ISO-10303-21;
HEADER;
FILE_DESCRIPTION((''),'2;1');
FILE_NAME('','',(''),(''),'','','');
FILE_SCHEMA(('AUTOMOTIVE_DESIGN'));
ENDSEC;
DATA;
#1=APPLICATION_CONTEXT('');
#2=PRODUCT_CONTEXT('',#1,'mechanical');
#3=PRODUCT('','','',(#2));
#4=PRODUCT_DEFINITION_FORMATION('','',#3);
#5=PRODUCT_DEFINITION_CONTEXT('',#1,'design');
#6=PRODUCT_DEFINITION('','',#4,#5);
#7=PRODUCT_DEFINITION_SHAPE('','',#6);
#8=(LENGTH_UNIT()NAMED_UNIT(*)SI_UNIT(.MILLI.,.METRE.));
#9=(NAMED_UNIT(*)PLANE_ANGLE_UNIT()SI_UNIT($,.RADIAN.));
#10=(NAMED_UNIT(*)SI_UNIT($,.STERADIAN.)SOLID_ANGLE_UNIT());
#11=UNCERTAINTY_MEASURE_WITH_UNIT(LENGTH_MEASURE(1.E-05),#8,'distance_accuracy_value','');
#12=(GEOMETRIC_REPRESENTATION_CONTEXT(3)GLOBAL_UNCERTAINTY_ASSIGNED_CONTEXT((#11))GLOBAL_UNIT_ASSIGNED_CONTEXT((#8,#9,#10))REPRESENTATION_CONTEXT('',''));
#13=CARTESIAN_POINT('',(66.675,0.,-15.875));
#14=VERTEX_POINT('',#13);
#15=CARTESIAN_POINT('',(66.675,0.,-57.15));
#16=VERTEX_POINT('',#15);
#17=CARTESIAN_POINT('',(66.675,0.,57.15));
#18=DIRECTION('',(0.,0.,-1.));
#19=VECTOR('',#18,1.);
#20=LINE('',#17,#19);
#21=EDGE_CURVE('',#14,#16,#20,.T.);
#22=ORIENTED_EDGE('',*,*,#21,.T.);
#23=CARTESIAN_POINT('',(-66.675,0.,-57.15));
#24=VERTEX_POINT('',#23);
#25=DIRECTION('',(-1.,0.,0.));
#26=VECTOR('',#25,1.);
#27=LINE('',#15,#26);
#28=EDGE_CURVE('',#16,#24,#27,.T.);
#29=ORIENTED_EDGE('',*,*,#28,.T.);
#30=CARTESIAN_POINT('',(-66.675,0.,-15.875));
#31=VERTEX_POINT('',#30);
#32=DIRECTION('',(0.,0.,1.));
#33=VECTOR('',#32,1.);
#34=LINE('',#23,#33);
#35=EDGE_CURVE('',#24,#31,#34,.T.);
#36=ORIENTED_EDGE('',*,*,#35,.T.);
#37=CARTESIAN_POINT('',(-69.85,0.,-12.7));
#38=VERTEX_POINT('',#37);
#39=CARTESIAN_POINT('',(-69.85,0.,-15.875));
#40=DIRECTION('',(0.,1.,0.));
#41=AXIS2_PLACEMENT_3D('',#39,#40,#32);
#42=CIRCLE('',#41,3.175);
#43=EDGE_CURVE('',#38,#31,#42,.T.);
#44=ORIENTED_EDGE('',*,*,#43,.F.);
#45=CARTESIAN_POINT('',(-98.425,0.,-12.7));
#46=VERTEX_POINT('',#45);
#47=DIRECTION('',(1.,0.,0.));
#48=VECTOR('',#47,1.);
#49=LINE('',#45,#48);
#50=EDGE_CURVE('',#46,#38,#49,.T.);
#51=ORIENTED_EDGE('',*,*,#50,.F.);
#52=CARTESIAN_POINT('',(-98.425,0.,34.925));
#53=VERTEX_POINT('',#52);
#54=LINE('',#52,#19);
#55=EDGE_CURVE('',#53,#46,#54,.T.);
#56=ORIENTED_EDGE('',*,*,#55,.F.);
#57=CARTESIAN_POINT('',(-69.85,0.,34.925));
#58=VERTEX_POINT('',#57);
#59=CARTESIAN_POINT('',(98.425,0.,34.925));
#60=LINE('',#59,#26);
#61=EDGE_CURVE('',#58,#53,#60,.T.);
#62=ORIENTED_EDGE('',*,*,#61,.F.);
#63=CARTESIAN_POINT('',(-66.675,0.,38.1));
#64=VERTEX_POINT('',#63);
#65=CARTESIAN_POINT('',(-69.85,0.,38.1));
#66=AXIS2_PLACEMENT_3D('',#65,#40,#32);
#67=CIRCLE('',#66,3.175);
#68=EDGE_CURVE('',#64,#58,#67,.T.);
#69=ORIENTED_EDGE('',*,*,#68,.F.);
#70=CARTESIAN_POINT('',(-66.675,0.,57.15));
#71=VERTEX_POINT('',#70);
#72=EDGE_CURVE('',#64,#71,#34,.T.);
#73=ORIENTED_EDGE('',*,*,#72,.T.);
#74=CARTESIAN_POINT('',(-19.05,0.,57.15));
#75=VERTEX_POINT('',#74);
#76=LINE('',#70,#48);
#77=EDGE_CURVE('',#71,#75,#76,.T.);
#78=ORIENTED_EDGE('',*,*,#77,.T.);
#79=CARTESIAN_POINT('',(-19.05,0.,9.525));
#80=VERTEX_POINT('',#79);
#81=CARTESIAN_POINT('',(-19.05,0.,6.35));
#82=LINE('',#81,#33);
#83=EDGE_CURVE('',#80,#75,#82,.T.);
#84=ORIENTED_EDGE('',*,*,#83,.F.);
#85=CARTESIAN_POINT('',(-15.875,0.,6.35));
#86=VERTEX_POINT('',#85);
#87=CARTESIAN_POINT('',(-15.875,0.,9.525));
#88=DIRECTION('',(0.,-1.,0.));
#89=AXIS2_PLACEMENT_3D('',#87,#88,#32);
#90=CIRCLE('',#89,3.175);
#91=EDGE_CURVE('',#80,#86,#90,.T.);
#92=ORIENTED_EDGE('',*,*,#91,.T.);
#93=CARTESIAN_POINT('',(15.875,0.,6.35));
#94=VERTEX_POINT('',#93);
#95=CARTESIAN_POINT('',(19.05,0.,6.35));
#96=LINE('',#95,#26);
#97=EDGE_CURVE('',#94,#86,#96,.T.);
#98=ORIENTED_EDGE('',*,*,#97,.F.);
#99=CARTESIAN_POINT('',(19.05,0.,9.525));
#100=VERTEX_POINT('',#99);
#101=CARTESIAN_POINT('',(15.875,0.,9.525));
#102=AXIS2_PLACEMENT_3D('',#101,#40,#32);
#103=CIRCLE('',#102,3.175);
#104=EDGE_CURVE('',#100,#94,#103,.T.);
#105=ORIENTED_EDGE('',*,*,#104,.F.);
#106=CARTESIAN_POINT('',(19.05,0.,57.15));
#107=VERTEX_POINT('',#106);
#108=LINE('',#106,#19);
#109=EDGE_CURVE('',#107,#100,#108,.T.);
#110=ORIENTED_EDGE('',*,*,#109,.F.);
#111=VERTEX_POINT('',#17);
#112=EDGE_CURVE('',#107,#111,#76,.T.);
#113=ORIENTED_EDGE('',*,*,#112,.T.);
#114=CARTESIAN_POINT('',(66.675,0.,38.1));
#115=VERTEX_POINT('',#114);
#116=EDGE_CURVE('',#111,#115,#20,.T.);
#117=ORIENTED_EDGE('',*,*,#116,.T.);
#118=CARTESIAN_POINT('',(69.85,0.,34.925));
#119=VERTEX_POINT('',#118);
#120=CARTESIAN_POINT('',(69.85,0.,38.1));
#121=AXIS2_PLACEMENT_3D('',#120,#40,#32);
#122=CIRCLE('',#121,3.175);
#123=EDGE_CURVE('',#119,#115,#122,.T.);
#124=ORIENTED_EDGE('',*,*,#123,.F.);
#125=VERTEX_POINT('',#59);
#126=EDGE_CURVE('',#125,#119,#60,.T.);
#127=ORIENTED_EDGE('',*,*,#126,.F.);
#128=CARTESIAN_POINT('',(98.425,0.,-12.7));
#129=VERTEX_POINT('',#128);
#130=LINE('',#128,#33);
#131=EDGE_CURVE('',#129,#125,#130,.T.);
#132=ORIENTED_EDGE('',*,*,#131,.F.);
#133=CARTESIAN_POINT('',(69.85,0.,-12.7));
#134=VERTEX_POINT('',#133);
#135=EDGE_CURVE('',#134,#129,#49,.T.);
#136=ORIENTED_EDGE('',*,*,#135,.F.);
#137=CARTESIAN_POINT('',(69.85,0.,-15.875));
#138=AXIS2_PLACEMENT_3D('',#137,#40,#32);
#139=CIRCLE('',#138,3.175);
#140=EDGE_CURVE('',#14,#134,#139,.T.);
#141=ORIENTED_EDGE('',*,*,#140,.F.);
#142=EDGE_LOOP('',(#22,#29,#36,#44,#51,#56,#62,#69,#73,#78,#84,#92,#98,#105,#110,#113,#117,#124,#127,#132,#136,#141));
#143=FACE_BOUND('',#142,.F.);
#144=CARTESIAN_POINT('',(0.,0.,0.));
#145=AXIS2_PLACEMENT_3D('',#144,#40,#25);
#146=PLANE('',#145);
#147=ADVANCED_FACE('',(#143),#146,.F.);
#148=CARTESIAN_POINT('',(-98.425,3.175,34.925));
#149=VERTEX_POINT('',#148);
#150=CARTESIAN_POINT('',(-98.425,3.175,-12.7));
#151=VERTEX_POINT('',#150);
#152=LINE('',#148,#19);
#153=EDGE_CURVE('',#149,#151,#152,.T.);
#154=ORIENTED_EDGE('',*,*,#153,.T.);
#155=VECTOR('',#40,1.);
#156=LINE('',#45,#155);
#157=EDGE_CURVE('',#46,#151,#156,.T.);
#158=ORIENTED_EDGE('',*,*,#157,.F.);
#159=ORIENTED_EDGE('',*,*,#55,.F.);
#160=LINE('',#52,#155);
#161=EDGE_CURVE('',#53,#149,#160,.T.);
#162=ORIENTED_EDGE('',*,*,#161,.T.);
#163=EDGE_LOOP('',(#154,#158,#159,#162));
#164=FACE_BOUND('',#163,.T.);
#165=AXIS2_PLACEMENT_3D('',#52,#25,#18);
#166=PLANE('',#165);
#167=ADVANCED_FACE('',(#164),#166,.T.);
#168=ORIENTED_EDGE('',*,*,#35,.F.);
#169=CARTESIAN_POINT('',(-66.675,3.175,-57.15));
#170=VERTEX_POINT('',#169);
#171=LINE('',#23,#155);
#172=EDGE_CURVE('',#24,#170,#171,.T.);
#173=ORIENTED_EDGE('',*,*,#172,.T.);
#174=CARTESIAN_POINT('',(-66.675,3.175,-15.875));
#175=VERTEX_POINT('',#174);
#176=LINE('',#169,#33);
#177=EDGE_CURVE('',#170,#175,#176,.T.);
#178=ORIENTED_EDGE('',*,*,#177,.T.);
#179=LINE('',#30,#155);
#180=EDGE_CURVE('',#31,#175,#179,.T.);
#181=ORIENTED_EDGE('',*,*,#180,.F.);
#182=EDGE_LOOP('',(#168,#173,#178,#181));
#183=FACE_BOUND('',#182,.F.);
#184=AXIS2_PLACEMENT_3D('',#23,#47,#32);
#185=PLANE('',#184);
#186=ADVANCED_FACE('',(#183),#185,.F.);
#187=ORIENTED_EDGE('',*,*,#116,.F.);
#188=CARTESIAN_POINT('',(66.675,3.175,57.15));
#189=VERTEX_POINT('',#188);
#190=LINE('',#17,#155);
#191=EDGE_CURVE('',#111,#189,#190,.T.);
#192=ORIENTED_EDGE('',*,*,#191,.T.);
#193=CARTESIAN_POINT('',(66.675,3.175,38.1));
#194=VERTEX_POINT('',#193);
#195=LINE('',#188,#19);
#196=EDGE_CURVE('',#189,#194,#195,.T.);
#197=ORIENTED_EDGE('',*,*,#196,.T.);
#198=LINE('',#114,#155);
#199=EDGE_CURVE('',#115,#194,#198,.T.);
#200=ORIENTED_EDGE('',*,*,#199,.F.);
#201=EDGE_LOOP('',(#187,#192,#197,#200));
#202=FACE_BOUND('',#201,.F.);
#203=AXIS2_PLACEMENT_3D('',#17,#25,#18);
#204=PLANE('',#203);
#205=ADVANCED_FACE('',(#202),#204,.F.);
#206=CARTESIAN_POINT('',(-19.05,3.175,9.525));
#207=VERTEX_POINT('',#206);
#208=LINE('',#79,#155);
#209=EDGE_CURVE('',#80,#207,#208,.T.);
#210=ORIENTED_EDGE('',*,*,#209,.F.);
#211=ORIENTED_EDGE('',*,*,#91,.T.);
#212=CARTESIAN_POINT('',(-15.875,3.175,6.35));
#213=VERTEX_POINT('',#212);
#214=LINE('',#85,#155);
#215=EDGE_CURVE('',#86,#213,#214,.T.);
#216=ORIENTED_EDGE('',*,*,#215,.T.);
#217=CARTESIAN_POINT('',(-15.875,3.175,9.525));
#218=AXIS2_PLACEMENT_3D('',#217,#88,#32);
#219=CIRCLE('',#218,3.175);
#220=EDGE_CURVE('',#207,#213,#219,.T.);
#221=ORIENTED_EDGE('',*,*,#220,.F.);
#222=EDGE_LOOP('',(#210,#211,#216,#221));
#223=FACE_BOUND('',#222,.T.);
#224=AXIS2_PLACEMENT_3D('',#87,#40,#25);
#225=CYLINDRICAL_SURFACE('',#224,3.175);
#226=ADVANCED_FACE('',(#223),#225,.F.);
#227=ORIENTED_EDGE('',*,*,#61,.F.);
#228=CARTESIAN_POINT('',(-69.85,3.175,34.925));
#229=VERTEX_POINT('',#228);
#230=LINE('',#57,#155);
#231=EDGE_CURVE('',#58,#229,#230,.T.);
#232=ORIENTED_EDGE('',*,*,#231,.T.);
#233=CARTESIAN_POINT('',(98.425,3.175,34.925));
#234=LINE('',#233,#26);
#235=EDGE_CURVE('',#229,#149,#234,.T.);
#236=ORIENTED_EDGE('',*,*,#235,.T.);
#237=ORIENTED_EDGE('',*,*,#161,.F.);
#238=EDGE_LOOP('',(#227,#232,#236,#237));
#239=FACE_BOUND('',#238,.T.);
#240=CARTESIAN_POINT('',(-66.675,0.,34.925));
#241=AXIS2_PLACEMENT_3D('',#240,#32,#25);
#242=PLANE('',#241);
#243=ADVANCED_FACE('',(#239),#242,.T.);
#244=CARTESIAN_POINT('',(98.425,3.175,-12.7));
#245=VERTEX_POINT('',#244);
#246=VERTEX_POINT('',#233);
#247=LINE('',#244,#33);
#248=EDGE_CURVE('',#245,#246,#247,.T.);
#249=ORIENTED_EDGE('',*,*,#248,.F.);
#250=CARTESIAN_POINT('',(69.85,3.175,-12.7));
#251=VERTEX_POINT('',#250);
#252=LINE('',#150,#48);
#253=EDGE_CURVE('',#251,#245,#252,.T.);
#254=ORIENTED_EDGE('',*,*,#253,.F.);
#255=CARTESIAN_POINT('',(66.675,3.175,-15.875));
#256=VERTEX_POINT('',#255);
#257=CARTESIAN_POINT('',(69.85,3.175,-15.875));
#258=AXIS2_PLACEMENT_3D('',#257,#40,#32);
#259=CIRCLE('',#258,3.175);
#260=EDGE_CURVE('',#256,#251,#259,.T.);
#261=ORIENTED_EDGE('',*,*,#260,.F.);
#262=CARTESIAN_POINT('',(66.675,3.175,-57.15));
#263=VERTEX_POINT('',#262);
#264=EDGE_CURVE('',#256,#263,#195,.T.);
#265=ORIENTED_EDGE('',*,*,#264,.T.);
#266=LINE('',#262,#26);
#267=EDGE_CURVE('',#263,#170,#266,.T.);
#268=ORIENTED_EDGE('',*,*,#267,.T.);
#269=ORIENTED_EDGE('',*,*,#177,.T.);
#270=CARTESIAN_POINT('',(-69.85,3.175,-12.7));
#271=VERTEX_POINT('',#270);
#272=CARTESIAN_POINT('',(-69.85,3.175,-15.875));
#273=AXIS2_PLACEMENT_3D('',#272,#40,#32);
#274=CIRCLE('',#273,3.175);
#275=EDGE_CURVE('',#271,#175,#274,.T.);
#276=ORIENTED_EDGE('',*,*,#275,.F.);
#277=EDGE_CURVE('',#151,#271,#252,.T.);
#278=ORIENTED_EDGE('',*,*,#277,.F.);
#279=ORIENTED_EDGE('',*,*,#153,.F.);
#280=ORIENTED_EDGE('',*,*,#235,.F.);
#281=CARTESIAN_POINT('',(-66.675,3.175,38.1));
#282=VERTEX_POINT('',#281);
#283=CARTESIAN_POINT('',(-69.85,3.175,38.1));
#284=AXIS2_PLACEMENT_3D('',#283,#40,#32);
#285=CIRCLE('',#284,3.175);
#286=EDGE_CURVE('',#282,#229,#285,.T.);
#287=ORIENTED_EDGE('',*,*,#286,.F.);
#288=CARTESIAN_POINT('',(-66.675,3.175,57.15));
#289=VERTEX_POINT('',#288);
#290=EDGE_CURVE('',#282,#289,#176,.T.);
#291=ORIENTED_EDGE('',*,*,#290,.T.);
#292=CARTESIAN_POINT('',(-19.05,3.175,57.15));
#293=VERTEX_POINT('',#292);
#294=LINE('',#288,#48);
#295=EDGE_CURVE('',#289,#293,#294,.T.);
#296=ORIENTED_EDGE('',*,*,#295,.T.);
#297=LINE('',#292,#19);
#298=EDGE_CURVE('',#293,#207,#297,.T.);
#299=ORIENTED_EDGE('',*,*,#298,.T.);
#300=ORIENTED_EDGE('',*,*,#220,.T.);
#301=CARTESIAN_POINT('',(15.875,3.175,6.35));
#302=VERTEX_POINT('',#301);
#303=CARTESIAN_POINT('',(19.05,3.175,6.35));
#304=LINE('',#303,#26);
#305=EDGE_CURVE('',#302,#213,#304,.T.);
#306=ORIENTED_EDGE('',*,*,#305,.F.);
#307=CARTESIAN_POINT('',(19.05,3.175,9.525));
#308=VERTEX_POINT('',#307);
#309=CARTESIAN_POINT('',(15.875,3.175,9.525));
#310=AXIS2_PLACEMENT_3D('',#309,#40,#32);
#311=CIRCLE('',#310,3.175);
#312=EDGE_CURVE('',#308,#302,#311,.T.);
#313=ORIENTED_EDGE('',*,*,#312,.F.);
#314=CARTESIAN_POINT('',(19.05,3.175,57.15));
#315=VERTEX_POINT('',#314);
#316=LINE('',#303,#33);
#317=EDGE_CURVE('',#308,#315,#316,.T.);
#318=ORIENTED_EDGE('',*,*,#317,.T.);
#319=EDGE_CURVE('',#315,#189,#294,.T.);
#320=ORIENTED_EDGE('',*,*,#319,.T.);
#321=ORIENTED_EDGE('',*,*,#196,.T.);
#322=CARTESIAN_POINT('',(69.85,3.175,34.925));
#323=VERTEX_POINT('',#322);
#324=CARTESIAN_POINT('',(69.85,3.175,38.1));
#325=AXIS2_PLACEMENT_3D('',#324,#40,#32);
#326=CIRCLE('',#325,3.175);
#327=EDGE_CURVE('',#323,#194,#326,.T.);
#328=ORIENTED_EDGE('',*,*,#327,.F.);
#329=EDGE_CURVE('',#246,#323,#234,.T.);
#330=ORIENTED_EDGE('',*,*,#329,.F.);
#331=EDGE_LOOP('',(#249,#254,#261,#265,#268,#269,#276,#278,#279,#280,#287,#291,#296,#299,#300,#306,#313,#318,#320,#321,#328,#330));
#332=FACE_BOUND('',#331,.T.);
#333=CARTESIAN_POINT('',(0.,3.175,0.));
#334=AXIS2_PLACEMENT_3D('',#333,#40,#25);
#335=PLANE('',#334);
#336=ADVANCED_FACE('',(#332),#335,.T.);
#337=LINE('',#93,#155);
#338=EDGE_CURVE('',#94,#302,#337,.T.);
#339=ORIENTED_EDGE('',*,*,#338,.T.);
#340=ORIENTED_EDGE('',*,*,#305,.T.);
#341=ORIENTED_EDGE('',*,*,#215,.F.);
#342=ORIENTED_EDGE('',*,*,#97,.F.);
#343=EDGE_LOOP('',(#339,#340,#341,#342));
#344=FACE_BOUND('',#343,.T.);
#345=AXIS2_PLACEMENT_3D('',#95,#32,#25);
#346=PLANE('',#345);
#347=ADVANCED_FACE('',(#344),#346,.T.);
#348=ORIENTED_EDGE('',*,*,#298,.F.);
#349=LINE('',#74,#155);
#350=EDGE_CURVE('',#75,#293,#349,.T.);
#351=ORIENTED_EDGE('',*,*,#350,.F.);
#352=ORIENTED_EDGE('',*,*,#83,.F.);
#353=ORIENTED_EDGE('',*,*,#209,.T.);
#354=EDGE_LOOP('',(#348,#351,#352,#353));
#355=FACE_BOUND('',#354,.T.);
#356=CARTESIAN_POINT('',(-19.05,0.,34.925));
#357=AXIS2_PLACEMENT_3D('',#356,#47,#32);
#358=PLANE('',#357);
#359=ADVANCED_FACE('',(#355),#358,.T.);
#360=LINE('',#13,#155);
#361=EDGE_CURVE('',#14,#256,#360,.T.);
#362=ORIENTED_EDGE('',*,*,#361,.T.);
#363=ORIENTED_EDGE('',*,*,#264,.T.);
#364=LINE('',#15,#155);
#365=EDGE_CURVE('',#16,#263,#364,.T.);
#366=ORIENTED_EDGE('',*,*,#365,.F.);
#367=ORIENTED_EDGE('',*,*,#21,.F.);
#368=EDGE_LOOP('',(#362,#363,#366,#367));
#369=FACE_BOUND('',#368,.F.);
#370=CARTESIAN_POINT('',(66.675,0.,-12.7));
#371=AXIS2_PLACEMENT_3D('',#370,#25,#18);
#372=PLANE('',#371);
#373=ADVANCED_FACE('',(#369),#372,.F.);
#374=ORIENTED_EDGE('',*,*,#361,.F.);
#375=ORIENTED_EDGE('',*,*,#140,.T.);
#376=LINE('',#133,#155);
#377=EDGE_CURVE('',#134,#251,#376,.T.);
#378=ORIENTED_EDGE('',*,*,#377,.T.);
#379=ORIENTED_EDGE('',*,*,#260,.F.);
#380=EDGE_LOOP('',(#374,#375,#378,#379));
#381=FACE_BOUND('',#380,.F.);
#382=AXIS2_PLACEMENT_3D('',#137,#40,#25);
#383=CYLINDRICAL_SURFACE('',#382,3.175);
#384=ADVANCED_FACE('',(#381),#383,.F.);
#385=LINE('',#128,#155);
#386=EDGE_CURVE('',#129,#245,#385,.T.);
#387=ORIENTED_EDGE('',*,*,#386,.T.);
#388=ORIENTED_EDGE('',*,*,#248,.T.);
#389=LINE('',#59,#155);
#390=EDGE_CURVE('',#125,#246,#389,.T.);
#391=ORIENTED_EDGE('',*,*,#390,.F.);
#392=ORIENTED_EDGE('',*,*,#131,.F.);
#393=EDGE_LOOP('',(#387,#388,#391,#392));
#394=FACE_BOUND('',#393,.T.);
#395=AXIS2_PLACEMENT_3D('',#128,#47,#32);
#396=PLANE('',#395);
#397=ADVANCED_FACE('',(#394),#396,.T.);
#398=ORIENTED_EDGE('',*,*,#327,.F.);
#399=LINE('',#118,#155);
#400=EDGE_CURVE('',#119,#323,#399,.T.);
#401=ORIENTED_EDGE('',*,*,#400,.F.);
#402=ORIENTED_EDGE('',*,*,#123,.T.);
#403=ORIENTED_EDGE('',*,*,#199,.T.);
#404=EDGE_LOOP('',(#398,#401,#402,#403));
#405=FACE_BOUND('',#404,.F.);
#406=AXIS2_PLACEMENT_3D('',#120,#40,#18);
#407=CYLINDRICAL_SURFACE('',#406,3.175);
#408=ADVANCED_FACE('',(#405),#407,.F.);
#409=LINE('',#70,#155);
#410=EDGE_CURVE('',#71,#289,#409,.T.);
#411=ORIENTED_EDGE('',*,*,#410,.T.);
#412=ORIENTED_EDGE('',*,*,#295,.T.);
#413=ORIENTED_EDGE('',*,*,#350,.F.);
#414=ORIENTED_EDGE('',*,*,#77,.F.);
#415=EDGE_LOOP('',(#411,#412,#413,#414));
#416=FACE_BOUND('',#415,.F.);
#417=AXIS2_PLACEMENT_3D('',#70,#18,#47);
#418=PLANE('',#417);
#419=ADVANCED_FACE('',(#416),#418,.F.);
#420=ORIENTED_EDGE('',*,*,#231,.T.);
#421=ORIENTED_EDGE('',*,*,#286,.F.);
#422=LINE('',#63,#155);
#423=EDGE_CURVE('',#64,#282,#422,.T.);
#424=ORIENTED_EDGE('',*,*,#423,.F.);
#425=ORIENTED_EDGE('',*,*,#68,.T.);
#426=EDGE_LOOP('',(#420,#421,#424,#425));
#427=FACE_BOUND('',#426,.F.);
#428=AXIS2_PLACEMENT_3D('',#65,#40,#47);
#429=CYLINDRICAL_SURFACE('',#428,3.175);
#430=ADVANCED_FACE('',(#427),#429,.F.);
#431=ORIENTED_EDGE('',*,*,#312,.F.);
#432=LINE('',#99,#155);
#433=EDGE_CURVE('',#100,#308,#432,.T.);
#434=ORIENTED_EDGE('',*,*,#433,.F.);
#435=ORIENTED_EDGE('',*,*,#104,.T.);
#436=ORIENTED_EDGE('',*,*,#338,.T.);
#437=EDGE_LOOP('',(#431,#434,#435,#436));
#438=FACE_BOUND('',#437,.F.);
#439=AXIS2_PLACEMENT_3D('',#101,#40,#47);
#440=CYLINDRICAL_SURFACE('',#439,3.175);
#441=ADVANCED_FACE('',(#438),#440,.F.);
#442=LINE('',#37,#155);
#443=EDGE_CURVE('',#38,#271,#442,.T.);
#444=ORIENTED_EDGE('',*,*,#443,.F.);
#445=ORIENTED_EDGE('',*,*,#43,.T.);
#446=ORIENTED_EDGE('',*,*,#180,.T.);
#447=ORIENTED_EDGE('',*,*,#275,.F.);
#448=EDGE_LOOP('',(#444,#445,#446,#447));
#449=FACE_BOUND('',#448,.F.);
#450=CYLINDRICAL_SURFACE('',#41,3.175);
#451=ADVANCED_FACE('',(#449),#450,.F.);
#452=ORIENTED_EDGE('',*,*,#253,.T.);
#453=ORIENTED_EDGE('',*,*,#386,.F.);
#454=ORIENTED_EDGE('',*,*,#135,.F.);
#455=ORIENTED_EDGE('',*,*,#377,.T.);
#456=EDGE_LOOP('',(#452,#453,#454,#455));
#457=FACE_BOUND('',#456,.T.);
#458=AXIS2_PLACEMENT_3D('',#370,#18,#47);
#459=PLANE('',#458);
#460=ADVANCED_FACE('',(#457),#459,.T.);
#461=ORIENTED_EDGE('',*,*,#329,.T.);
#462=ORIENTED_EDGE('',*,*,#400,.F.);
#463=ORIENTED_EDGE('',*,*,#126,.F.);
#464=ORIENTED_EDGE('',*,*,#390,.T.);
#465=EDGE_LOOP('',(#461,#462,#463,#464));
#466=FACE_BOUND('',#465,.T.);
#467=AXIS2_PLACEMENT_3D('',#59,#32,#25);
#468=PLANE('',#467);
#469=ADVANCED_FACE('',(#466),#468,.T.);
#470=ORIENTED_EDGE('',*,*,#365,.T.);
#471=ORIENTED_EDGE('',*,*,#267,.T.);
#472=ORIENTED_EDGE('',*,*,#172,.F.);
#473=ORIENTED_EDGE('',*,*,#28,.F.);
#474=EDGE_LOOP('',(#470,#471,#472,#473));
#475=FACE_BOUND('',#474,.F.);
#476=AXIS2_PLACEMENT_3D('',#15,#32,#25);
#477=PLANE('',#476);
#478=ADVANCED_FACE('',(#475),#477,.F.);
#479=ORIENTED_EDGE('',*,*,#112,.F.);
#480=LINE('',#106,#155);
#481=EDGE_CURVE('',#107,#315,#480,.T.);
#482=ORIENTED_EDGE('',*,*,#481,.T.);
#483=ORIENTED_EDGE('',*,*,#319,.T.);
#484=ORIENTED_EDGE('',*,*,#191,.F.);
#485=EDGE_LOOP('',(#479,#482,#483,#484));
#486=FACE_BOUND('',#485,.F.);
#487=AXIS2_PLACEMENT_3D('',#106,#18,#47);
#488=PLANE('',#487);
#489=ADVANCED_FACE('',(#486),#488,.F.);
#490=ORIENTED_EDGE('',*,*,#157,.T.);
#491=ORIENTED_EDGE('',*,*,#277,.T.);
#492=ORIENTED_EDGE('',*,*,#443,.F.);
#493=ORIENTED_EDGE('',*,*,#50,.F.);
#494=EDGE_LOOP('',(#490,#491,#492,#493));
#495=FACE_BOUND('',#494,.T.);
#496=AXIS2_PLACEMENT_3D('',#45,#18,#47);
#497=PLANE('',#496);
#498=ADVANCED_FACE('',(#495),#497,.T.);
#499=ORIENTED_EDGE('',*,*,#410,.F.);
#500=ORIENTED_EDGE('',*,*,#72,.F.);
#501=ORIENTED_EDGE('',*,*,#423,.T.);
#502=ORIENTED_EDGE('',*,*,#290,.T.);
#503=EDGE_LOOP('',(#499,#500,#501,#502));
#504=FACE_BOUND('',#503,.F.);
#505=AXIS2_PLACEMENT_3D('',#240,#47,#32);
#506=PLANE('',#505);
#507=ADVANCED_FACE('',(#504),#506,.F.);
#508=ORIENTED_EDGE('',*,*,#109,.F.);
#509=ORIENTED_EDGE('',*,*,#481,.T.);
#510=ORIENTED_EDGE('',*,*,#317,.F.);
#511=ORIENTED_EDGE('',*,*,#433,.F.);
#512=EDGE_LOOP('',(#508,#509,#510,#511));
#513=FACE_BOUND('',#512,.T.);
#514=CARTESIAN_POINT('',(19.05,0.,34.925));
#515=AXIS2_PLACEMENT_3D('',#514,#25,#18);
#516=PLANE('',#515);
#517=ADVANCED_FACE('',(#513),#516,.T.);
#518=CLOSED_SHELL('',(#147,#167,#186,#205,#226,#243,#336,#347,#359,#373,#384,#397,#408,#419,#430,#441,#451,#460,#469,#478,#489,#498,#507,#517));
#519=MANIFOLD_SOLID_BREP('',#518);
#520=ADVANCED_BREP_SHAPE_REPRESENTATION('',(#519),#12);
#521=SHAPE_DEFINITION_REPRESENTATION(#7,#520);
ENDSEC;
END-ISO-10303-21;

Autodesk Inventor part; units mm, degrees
ref_plane "YZ Plane" through (0, 0, 0) normal (1, 0, 0) x (0, 1, 0)
ref_plane "XZ Plane" through (0, 0, 0) normal (0, 1, 0) x (-1, 0, 0)
ref_plane "XY Plane" through (0, 0, 0) normal (0, 0, 1) x (1, 0, 0)
sketch "Sketch1" plane through (0, 0, 0) normal (0, 1, 0) x (-1, 0, 0)
  line L0 (66.675, 57.15) -> (-66.675, 57.15)
  line L1 (-66.675, 57.15) -> (-66.675, -57.15)
  line L2 (-66.675, -57.15) -> (66.675, -57.15)
  line L3 (66.675, -57.15) -> (66.675, 57.15)
  line L4 (66.675, 57.15) -> (-66.675, -57.15) construction
  line L5 (-66.675, 57.15) -> (66.675, -57.15) construction
  line L6 (19.05, 107.95) -> (-19.05, 107.95)
  line L7 (-19.05, 107.95) -> (-19.05, 6.35)
  line L8 (-19.05, 6.35) -> (19.05, 6.35)
  line L9 (19.05, 6.35) -> (19.05, 107.95)
  line L10 (19.05, 107.95) -> (-19.05, 6.35) construction
  line L11 (-19.05, 107.95) -> (19.05, 6.35) construction
  line L12 (0, 57.15) -> (0, -57.15) construction
  line L13 (-98.425, 34.925) -> (98.425, 34.925)
  line L14 (98.425, 34.925) -> (98.425, -12.7)
  line L15 (98.425, -12.7) -> (-98.425, -12.7)
  line L16 (-98.425, -12.7) -> (-98.425, 34.925)
  line L17 (-98.425, 34.925) -> (98.425, -12.7) construction
  line L18 (98.425, 34.925) -> (-98.425, -12.7) construction
  point P0 (0, 0)
  point P1 (19.05, 57.15)
  point P2 (-19.05, 57.15)
  point P3 (0, 11.1125)
  point P4 (66.675, 34.925)
  point P5 (66.675, -12.7)
  point P6 (-66.675, -12.7)
  point P7 (-66.675, 34.925)
  dimension "d0" = 133.35
  dimension "d1" = 114.3
  dimension "d2" = 38.1
  dimension "d3" = 101.6
  dimension "d6" = 196.85
  dimension "d7" = 22.225
  dimension "d8" = 44.45
extrude "Extrusion1" add sketch "Sketch1" along normal blind 3.175 contours L3 L13 L9 L0 | L13 L14 L15 L3 | L3 L15 L1 L13 L7 L8 L9 | L7 L13 L1 L0 | L3 L2 L1 L15 | L15 L16 L13 L1
fillet "Fillet1" radius 3.175 6 edges at (66.675, 1.5875, 34.925) (66.675, 1.5875, -12.7) (-19.05, 1.5875, 6.35) (19.05, 1.5875, 6.35) (-66.675, 1.5875, 34.925) (-66.675, 1.5875, -12.7)
properties part number "Bottom Plate" material "UHMW, White"
